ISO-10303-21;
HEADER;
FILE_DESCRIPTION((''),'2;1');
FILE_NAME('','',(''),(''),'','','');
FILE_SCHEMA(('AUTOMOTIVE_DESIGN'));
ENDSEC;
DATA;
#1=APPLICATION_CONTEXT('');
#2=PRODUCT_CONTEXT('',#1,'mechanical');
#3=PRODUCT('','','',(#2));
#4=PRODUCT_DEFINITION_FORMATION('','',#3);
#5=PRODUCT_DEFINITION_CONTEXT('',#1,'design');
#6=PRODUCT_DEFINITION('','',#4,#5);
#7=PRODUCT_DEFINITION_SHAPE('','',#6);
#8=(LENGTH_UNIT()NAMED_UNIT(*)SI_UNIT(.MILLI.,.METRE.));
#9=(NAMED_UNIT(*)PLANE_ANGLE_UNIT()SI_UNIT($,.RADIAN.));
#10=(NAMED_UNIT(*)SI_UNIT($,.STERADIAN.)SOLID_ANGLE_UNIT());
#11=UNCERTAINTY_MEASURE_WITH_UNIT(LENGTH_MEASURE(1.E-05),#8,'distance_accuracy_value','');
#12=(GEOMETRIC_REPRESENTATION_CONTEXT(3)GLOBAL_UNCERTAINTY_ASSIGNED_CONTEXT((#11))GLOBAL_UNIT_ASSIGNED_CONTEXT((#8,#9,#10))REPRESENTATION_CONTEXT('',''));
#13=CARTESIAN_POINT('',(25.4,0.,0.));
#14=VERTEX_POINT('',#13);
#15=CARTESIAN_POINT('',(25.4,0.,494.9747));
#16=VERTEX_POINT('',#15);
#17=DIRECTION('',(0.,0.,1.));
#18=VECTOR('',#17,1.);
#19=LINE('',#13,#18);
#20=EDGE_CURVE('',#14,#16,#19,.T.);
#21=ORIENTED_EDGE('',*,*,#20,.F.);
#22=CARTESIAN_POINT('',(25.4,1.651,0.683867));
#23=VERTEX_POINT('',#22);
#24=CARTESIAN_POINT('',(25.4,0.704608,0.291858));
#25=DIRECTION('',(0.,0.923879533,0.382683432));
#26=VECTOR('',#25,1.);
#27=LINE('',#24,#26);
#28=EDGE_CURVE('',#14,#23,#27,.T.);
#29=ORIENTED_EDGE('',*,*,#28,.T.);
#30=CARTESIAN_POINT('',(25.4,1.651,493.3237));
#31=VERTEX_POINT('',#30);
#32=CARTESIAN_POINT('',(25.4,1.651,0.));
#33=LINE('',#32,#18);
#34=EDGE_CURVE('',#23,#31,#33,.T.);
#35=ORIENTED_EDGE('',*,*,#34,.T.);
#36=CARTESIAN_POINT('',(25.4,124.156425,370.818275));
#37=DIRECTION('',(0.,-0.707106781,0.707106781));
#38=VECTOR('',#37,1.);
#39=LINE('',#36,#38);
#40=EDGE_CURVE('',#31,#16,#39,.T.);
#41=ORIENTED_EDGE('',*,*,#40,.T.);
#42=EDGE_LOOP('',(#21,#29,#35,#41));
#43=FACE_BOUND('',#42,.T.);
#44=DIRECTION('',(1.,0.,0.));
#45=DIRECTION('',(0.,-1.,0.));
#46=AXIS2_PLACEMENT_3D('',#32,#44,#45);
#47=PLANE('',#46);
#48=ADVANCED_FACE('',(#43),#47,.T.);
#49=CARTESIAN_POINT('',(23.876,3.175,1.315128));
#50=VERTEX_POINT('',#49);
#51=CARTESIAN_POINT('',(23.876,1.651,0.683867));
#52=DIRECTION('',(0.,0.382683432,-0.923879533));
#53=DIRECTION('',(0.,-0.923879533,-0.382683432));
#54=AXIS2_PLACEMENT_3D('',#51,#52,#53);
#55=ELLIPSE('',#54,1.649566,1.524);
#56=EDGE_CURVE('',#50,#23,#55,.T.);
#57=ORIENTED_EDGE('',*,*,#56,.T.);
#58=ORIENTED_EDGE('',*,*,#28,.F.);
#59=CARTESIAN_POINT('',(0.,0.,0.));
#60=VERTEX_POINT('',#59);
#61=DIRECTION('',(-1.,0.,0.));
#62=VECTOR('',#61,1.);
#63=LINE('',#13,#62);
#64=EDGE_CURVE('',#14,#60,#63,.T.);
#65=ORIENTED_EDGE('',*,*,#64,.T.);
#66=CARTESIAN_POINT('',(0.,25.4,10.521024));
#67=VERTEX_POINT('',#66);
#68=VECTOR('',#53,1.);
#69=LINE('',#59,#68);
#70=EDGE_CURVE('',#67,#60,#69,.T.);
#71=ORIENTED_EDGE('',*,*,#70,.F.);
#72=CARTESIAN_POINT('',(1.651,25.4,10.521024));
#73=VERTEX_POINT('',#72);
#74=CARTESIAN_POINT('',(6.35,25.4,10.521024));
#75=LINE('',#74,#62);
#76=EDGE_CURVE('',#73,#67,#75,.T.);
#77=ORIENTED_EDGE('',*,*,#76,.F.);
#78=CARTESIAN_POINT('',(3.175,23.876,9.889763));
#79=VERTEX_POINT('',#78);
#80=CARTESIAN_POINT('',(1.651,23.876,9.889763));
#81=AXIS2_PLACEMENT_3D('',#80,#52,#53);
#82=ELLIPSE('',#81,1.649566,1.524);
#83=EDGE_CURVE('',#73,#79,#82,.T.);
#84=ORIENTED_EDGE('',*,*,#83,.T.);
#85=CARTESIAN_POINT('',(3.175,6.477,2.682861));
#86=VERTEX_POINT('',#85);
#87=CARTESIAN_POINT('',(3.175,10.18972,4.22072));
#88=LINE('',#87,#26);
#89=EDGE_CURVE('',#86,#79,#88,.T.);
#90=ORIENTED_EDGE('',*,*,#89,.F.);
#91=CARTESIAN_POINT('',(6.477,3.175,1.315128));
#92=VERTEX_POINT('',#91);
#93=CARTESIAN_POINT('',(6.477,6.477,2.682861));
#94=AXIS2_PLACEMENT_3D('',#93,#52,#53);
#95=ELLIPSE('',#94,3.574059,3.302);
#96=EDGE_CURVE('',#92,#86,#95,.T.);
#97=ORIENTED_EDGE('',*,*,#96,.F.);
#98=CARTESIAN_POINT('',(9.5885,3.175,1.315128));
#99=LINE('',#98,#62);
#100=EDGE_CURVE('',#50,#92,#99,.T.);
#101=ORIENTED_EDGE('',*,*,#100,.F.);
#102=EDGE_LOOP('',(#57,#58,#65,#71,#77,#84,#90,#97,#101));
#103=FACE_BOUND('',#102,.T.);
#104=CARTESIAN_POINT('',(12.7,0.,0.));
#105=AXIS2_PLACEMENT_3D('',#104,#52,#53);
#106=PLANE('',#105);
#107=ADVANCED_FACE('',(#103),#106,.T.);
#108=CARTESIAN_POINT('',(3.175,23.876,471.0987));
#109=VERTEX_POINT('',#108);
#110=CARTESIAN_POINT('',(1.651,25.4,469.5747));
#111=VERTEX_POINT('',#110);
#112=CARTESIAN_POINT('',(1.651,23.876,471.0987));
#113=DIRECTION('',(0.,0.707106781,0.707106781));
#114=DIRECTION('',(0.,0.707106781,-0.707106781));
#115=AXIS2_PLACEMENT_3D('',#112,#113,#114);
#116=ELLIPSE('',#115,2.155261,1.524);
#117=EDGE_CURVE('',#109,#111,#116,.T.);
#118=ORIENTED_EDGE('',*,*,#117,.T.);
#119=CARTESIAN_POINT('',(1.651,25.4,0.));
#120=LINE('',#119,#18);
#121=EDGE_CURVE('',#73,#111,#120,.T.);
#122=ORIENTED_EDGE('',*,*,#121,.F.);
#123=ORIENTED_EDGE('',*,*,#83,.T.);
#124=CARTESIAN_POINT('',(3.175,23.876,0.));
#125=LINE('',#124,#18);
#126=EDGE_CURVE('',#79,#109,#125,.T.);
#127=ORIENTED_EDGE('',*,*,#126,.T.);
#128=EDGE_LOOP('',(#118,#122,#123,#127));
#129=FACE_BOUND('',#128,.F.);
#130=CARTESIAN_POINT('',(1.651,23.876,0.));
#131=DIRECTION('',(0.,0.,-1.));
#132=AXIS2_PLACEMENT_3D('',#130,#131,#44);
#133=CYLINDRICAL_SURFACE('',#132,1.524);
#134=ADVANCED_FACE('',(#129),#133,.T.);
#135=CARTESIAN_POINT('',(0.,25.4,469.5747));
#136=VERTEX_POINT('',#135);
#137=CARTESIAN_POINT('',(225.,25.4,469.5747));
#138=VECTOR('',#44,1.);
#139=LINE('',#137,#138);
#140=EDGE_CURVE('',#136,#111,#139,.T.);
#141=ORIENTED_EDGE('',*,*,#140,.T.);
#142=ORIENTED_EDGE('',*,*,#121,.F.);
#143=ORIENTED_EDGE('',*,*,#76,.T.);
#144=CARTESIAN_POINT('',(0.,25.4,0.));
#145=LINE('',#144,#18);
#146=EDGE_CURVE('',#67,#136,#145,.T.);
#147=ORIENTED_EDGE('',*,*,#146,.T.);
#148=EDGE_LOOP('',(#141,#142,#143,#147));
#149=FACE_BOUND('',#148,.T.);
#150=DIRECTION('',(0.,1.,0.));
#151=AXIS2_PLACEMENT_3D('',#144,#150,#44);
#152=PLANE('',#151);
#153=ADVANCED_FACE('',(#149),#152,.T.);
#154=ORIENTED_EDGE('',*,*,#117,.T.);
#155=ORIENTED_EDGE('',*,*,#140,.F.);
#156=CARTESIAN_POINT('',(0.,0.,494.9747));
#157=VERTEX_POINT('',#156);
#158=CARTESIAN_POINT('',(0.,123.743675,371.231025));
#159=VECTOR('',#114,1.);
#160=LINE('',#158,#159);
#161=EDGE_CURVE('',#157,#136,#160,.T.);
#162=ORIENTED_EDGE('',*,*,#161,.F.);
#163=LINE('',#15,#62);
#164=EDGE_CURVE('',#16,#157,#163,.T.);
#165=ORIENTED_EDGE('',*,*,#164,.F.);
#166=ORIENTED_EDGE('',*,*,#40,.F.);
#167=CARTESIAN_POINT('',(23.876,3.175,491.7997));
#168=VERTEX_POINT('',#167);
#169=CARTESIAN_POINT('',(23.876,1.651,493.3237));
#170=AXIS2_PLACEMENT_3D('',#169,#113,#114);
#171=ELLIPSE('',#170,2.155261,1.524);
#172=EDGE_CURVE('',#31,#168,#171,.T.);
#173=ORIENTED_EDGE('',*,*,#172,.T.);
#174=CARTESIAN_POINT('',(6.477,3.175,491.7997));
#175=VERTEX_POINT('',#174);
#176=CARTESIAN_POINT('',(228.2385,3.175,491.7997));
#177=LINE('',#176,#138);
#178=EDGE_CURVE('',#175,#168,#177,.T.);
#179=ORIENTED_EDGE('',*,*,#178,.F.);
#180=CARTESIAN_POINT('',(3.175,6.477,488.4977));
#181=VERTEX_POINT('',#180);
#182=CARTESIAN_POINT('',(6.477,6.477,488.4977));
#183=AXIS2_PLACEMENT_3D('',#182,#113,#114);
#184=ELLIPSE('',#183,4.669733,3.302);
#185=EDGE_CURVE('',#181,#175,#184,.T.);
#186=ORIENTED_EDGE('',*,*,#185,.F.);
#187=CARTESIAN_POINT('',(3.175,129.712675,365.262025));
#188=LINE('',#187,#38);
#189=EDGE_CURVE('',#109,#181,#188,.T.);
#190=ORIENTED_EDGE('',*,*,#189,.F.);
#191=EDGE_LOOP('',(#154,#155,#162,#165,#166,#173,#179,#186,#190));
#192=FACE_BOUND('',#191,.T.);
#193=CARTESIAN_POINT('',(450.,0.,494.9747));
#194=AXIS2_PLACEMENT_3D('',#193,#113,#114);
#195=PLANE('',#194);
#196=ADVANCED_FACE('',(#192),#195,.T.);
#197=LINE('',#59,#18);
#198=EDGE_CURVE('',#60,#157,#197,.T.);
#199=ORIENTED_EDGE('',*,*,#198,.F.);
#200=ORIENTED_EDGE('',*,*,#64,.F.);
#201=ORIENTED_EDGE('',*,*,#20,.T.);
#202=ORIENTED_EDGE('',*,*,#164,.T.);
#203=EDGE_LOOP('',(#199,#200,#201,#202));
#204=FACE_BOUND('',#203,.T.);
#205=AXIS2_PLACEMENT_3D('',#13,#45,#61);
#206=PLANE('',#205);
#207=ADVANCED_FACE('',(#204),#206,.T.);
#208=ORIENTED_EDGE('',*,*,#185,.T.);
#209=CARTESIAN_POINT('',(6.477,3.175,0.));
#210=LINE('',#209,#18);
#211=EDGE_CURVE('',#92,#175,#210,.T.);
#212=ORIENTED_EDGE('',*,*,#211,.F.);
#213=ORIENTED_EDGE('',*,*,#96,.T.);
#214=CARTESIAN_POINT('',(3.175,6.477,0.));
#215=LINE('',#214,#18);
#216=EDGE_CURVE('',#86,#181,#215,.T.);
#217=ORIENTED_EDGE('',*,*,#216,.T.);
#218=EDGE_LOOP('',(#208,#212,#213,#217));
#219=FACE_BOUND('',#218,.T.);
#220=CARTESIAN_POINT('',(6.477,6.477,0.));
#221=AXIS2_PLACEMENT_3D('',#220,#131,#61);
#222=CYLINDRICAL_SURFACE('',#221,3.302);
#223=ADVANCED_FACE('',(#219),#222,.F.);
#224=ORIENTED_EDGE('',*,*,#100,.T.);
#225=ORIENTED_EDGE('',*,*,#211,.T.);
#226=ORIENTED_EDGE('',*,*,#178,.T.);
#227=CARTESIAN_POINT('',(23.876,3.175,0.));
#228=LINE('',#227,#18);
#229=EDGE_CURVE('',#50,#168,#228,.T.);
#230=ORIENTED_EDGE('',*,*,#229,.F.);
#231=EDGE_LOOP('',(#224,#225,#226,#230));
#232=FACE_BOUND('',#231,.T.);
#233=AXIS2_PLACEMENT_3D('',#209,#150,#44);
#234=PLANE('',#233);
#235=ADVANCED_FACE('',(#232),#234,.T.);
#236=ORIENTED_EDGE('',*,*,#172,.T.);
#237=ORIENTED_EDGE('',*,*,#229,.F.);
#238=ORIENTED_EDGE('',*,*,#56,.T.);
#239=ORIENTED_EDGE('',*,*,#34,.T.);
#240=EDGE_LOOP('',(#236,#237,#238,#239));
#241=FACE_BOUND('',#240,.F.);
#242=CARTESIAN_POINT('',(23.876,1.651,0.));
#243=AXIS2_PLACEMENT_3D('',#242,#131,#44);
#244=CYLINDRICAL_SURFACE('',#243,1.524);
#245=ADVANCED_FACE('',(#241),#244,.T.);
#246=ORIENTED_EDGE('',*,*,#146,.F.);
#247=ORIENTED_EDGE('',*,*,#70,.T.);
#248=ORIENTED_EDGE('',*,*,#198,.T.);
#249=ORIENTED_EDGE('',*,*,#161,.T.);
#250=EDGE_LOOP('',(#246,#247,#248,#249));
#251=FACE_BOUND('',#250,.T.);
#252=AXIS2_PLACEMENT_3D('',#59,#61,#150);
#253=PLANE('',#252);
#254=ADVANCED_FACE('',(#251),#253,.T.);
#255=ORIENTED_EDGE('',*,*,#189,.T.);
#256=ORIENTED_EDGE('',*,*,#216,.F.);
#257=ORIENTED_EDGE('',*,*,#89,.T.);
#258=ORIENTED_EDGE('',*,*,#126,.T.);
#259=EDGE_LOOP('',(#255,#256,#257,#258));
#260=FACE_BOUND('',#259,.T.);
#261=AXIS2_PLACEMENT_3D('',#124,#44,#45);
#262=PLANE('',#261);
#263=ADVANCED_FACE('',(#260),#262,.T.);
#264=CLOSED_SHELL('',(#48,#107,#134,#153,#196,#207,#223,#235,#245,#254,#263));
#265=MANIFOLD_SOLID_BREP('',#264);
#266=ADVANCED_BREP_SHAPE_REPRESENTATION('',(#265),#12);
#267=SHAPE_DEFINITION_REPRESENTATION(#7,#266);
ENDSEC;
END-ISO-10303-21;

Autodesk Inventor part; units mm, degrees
ref_plane "Start Plane" through (0, 0, 0) normal (0, 0, 1) x (1, 0, 0)
ref_plane "End Plane" through (0, 0, 494.9747) normal (0, 0, 1) x (1, 0, 0)
sketch "Sketch" plane through (0, 0, 0) normal (0, 0, 1) x (1, 0, 0)
  line L0 (25.4, 0) -> (0, 0)
  line L1 (0, 0) -> (0, 25.4)
  line L2 (0, 25.4) -> (1.651, 25.4)
  line L3 (3.175, 23.876) -> (3.175, 6.477)
  line L4 (6.477, 3.175) -> (23.876, 3.175)
  line L5 (25.4, 1.651) -> (25.4, 0)
  line L6 (0, -11.0414) -> (0, 31.5385) construction
  line L7 (-11.0414, 0) -> (31.5385, 0) construction
  arc A0 (3.175, 6.477) -> (6.477, 3.175) centre (6.477, 6.477) ccw
  arc A1 (3.175, 23.876) -> (1.651, 25.4) centre (1.651, 23.876) ccw
  arc A2 (25.4, 1.651) -> (23.876, 3.175) centre (23.876, 1.651) ccw
  line L8 (0, 40.0545) -> (0, -19.5574) construction
  line L9 (-19.5574, 0) -> (40.0545, 0) construction
  point P0 (3.175, 25.4)
  point P1 (3.175, 3.175)
  point P2 (25.4, 3.175)
  dimension "d0" = 25.4
  dimension "d1" = 25.4
  dimension "d2" = 3.175
  dimension "d3" = 3.175
  dimension "d10" = 0
  dimension "d11" = 0
  dimension "d14" = 3.302
  dimension "d15" = 1.524
extrude "Body" add sketch "Sketch" along normal up to surface (494.9747 mm away) from surface at 0
sketch "Sketch3" plane through (0, 0, 0) normal (0, 0, 1) x (1, 0, 0)
  line L0 (0, 0) -> (10, 0)
ref_plane "Work Plane3" through (0, 0, 0) normal (0, -1, 0) x (1, 0, 0)
ref_plane "Work Plane4" through (12.7, 0, 0) normal (0, 0.3827, -0.9239) x (1, 0, 0)
split "Split1" plane through (12.7, 0, 0) removes the side toward (0, 0.3827, -0.9239)
ref_plane "Work Plane5" through (450, 0, 494.9747) normal (0, 0.7071, 0.7071) x (1, 0, 0)
split "Split2" plane through (450, 0, 494.9747) removes the side toward (0, 0.7071, 0.7071)
sketch "Sketch4" plane through (0, 0, 0) normal (0, -1, 0) x (1, 0, 0)
  line L0 (-2, 0) -> (12, 0) projected
  line L1 (-2, 494.9747) -> (12, 494.9747) projected
  dimension "d17" = 494.9747
equation "\"d0\" = G_H"
equation "\"d1\" = G_H"
equation "\"d2\" = G_T"
equation "\"d3\" = G_T"
equation "\"d14\" = G_IR"
equation "\"d15\" = G_ER"
equation "\"d4\" = G_L"
equation "\"G_H\" = 25.4"
equation "\"G_T\" = 3.175"
equation "\"G_ER\" = 1.524"
equation "\"G_IR\" = 3.302"
equation "\"G_L\" = d17"
equation "\"ex\" = 0"
equation "\"G_OFFSET_START\" = 0"
equation "\"G_OFFSET_END\" = 0"
equation "\"d13\" = G_OFFSET_END + B_L"
equation "\"B_L\" = 494.97475"
properties part number "AISC - L 1 x 1 x 1/8 - 19.487" material "Steel, Mild"
